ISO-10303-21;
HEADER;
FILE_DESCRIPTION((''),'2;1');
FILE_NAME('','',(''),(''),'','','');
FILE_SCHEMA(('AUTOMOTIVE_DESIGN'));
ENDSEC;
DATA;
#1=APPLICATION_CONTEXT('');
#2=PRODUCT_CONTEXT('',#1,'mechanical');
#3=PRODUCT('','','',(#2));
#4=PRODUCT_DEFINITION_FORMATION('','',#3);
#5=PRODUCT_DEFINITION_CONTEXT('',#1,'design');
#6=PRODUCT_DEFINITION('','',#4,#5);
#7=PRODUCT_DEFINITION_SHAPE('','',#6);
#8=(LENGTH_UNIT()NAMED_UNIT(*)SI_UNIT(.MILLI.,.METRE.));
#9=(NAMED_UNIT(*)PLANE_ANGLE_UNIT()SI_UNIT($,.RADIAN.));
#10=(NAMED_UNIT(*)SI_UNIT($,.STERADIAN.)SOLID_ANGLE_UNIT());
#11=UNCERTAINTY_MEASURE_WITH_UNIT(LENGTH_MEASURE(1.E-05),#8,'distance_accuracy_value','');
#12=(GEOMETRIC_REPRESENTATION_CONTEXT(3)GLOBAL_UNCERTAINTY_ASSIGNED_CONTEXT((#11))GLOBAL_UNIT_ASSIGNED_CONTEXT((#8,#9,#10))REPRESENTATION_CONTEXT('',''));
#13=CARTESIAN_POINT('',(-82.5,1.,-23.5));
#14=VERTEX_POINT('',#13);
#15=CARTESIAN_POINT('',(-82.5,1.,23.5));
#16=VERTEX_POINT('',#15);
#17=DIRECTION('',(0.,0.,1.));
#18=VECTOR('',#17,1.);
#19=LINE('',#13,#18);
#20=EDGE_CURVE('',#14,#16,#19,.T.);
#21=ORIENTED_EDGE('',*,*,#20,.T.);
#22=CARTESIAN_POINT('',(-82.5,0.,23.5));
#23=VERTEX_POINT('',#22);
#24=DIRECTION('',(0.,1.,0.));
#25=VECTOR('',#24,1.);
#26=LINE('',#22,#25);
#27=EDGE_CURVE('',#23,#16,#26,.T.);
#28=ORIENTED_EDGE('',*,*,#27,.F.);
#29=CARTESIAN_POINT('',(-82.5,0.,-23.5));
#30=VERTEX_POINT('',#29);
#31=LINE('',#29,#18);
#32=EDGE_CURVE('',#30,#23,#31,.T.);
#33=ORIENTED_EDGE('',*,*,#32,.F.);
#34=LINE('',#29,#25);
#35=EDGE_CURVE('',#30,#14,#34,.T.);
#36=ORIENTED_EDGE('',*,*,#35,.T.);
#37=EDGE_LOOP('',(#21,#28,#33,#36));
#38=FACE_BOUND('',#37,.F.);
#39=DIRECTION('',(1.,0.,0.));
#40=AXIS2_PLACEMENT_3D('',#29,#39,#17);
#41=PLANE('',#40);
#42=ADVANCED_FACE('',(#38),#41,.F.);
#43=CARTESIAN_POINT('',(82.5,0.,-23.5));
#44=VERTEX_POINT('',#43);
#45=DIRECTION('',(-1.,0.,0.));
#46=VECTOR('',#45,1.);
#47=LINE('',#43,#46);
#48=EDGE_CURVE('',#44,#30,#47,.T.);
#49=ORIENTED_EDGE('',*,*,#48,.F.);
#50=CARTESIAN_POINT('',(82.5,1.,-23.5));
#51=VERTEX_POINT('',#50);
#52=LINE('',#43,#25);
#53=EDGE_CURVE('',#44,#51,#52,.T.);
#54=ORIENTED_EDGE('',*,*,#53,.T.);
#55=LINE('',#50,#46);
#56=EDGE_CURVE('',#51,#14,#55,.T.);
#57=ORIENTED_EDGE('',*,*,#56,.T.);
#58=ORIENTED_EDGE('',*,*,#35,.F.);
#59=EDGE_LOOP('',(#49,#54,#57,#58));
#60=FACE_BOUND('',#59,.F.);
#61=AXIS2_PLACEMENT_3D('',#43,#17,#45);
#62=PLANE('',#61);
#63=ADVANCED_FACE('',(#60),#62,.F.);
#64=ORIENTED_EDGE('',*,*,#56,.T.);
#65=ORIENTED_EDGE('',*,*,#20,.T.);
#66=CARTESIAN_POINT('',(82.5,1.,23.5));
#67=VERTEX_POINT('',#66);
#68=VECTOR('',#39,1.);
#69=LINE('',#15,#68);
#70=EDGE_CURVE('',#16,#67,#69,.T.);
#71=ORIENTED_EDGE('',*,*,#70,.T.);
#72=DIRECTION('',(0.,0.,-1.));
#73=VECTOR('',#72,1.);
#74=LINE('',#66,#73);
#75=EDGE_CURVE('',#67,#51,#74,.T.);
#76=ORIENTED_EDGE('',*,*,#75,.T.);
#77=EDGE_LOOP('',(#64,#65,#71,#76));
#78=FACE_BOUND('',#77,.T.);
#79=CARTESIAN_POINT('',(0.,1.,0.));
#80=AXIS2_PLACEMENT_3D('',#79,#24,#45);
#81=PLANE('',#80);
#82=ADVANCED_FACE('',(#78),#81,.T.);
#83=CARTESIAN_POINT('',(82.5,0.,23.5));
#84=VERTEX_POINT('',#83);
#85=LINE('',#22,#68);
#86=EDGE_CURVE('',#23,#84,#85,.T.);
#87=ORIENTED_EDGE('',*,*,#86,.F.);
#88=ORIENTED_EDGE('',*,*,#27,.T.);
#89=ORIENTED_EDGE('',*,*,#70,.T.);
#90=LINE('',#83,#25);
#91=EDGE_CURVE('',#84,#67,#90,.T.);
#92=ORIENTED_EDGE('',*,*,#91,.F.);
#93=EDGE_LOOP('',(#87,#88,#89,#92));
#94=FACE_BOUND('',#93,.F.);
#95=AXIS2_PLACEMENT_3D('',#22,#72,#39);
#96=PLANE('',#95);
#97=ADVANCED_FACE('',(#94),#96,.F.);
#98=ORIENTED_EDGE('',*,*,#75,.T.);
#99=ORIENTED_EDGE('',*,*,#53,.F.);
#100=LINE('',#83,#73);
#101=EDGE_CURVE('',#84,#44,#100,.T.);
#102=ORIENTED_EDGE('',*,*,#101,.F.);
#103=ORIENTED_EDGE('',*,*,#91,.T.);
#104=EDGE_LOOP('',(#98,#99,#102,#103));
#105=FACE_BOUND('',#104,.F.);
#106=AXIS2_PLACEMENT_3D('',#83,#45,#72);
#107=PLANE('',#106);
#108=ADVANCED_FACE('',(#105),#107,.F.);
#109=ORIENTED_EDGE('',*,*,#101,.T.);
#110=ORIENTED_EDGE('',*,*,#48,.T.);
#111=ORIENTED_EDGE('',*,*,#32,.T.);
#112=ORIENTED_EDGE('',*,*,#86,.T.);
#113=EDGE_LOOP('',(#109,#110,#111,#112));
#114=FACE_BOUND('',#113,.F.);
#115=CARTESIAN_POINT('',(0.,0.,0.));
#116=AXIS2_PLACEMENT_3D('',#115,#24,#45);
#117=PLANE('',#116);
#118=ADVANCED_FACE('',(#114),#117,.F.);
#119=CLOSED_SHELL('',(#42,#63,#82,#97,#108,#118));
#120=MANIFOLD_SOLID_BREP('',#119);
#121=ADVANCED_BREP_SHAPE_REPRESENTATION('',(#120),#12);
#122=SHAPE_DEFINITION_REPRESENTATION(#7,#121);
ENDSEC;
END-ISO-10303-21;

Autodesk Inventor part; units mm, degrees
sketch "Sketch_3" plane through (0, 0, 0) normal (0, 1, 0) x (-1, 0, 0)
  line L0 (82.5, -23.5) -> (82.5, 23.5)
  line L1 (82.5, 23.5) -> (-82.5, 23.5)
  line L2 (-82.5, 23.5) -> (-82.5, -23.5)
  line L3 (-82.5, -23.5) -> (82.5, -23.5)
extrude "Extrusion1" add sketch "Sketch_3" along normal blind 1
ref_plane "IP_WKST_XY" through (0, 0, 0) normal (0, 1, 0) x (1, 0, 0)
ref_plane "IP_WKST_YZ" through (0, 0, 0) normal (1, 0, 0) x (0, 0, -1)
ref_plane "IP_WKST_ZX" through (0, 0, 0) normal (0, 0, -1) x (0, 1, 0)
properties part number "FGR AL-2-PGN-plus-P 160 WKST,PGN-plus-P 160-2-AS-P18Aluminium6.5110452001216049.51650000000000000000"
